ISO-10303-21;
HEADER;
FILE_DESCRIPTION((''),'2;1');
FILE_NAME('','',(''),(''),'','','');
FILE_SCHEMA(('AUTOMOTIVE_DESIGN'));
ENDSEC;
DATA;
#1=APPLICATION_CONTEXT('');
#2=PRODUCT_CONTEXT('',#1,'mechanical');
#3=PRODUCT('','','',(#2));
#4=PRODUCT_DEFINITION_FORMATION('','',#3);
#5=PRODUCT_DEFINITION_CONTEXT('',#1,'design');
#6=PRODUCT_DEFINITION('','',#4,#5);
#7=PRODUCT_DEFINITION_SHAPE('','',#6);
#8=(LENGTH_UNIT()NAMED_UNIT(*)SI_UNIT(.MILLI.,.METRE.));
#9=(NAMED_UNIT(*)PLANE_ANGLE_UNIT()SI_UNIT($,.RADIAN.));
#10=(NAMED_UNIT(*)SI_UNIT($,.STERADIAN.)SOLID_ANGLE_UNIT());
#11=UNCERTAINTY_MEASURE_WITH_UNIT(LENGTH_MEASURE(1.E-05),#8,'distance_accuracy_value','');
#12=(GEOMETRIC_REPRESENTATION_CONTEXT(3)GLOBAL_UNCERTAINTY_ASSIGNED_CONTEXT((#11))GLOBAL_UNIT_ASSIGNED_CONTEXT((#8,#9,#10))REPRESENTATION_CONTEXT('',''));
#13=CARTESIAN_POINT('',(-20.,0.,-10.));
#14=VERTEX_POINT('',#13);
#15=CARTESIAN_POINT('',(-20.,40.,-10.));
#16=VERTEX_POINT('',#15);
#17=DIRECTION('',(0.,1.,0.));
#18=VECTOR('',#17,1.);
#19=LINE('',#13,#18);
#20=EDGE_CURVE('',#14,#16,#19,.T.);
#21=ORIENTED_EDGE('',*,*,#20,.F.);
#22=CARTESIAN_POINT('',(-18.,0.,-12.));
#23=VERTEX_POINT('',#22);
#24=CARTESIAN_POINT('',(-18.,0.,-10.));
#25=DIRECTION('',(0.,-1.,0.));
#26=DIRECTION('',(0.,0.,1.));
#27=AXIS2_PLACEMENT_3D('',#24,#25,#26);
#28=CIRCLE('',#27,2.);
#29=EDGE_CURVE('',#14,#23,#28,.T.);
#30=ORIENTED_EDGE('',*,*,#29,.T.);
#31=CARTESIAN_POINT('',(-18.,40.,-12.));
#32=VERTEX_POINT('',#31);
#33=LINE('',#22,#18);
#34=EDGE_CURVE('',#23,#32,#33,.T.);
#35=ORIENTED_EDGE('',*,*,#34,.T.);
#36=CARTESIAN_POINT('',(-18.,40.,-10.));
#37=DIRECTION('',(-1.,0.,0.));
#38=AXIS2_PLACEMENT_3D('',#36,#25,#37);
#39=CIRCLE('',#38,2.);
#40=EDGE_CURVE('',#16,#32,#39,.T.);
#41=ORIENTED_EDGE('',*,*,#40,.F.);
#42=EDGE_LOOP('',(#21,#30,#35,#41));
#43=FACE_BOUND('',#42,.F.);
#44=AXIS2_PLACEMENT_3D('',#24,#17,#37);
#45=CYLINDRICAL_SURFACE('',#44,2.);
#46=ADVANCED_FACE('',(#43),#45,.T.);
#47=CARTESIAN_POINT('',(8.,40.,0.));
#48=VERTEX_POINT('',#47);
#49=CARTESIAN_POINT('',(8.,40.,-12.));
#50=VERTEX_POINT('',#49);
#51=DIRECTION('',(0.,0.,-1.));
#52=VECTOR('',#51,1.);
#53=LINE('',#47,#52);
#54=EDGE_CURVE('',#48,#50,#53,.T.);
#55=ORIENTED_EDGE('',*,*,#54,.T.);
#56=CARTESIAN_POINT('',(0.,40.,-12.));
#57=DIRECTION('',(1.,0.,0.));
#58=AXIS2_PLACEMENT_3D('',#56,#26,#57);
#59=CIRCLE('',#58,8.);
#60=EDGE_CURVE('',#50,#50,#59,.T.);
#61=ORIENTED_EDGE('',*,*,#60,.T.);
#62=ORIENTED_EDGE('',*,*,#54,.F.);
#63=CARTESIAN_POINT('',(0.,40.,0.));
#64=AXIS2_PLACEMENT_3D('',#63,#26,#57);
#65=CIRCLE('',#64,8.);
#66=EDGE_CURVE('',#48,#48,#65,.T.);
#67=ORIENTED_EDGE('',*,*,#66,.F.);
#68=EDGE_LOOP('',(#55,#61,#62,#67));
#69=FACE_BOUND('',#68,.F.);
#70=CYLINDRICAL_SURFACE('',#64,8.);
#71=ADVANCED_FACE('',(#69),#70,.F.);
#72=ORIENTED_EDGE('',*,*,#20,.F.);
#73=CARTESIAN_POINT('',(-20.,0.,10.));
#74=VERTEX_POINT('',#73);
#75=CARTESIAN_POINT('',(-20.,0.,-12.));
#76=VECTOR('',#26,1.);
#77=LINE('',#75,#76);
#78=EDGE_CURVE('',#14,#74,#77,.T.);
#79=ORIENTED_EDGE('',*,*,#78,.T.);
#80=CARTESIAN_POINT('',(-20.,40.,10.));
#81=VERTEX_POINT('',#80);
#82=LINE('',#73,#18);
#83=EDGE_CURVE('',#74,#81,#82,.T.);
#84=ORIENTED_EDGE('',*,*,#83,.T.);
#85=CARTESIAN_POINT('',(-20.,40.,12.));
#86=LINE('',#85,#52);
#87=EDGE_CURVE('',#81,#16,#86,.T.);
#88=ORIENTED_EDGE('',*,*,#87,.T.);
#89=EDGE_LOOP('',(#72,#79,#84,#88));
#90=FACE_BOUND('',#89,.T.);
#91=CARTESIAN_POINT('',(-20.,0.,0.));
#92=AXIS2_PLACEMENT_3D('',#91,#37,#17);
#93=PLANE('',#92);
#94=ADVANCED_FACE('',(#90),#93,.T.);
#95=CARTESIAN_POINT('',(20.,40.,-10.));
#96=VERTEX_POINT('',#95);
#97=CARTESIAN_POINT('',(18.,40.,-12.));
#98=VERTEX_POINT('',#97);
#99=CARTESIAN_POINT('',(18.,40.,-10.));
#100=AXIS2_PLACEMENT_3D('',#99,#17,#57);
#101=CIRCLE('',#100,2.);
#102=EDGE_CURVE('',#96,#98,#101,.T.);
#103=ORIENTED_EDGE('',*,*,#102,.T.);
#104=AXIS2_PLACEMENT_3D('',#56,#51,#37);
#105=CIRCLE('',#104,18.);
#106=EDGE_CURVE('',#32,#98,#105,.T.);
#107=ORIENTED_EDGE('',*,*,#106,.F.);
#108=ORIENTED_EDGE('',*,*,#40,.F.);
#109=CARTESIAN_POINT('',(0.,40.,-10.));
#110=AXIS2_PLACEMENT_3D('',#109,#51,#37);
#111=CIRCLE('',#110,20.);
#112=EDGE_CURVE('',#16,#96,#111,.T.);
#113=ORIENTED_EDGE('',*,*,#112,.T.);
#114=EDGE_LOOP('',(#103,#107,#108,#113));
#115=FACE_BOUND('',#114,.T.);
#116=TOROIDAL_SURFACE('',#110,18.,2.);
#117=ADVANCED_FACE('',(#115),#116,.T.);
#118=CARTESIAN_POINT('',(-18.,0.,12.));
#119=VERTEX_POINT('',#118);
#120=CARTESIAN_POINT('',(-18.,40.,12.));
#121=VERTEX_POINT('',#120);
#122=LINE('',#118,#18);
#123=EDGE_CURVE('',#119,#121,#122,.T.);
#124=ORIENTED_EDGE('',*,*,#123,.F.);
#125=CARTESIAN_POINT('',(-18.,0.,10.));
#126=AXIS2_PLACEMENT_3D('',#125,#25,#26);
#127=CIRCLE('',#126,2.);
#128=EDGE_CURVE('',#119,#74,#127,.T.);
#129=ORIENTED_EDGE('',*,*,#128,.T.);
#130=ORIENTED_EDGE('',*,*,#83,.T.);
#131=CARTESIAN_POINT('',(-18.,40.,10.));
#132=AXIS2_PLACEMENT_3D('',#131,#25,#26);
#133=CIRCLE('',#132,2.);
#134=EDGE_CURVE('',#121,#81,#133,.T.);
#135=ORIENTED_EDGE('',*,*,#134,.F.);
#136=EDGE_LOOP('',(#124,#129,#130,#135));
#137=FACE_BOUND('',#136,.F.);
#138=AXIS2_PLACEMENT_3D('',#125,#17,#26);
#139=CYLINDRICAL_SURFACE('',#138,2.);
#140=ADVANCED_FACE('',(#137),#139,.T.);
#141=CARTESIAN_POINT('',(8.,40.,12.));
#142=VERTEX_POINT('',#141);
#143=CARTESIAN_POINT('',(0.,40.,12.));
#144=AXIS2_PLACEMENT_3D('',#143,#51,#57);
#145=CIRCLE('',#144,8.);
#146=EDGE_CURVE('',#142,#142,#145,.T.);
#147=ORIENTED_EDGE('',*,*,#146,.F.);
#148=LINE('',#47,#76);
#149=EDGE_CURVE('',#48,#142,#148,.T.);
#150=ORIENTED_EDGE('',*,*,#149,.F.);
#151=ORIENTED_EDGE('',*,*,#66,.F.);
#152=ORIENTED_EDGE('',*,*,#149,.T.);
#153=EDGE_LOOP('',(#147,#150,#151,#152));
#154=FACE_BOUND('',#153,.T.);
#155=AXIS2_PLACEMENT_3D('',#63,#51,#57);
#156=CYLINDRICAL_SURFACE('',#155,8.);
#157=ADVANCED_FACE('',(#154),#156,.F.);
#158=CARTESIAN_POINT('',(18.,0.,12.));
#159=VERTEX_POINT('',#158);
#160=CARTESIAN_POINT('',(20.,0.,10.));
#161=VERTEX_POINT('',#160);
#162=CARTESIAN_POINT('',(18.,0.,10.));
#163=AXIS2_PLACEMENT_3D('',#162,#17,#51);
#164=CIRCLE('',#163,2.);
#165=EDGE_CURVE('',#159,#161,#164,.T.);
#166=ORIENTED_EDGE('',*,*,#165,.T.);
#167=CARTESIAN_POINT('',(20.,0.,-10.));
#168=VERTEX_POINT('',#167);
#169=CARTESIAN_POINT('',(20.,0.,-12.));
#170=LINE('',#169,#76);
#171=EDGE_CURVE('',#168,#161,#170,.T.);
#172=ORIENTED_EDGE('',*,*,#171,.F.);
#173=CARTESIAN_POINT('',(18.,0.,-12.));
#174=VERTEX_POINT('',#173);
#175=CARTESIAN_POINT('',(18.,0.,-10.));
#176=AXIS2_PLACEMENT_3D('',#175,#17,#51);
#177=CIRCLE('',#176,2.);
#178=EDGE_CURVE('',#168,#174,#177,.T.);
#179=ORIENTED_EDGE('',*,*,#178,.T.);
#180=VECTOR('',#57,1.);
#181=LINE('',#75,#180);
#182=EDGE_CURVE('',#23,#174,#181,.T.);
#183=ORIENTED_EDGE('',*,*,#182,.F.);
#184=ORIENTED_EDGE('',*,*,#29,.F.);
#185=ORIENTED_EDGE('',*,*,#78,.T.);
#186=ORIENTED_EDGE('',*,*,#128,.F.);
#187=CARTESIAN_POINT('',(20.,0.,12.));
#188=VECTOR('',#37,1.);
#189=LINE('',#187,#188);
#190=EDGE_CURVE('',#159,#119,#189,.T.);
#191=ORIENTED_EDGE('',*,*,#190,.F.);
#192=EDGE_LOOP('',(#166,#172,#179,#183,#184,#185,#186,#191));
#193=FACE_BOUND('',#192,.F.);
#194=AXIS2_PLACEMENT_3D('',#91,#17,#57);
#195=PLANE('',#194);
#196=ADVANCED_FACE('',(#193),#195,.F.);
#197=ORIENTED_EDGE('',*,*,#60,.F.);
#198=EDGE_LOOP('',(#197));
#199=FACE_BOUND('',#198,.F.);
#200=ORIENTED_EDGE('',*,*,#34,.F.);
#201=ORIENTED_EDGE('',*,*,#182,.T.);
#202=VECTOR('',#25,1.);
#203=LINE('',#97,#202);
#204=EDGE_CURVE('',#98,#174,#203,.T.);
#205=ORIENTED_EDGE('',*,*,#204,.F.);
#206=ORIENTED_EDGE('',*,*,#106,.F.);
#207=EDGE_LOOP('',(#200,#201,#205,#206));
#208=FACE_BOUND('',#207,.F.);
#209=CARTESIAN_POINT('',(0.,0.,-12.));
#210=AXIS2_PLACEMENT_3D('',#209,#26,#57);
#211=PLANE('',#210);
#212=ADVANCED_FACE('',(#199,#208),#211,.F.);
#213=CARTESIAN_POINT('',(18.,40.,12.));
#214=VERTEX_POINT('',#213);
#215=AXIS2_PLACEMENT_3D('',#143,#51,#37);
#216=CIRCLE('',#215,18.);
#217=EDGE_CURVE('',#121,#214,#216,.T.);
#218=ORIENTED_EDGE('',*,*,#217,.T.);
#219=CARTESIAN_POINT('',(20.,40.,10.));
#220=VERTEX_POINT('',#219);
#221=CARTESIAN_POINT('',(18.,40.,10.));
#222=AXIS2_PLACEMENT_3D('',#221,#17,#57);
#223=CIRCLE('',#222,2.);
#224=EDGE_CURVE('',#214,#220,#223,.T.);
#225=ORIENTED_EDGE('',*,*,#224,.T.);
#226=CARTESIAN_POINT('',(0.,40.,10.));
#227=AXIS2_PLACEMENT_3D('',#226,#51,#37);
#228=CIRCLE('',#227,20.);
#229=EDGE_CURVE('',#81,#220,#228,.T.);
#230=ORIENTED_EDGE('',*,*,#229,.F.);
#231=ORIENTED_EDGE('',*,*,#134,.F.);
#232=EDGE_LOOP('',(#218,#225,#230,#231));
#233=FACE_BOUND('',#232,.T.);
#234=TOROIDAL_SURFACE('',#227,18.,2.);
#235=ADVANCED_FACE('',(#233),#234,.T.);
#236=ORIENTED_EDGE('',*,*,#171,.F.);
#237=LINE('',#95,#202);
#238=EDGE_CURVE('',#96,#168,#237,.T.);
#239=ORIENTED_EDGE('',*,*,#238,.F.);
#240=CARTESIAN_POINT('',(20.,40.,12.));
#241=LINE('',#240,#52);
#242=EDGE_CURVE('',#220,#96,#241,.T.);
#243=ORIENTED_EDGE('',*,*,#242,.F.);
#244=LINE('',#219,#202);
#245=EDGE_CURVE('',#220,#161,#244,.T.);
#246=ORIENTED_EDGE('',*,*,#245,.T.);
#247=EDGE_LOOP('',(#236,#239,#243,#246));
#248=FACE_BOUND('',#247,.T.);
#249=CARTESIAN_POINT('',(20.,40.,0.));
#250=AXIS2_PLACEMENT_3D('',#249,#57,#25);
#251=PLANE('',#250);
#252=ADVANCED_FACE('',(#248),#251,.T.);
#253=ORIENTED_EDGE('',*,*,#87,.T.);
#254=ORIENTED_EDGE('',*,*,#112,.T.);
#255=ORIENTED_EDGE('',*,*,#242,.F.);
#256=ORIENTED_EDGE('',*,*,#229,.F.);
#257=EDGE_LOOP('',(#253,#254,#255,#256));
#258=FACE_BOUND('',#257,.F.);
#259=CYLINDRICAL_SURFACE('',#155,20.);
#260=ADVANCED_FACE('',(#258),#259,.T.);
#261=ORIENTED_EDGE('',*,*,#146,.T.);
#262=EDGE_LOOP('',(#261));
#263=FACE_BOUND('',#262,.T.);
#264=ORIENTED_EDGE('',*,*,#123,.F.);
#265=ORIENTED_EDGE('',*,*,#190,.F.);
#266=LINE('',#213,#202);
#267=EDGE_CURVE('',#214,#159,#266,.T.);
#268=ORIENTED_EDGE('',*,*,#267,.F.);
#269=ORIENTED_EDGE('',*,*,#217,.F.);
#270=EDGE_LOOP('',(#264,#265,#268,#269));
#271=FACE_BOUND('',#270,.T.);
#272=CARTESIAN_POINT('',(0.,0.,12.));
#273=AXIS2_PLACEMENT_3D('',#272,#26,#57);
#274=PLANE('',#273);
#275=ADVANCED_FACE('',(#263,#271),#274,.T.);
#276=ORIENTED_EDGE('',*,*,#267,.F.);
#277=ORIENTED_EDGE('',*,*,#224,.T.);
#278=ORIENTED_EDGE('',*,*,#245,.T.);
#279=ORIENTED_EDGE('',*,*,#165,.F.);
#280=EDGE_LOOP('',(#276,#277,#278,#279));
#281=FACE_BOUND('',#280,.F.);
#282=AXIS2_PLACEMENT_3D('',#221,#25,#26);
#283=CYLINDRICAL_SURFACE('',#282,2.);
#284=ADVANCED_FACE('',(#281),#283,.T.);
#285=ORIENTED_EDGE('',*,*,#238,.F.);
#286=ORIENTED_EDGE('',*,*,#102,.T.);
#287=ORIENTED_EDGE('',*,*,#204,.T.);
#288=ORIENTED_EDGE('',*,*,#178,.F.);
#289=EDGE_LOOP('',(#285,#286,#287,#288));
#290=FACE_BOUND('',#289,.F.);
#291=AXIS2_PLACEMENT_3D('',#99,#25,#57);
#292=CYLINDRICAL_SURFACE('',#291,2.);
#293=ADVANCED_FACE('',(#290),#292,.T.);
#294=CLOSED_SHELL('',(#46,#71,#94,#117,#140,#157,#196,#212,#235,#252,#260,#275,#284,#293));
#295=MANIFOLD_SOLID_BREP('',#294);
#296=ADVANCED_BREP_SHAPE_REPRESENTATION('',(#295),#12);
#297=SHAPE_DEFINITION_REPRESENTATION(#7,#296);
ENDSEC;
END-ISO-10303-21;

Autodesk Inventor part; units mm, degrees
ref_plane "YZ Plane" through (0, 0, 0) normal (1, 0, 0) x (0, 1, 0)
ref_plane "XZ Plane" through (0, 0, 0) normal (0, 1, 0) x (-1, 0, 0)
ref_plane "XY Plane" through (0, 0, 0) normal (0, 0, 1) x (1, 0, 0)
sketch "Sketch1" plane through (0, 0, 0) normal (0, 0, 1) x (1, 0, 0)
  line L0 (-28, 0) -> (28, 0) projected
  line L1 (0, -12) -> (0, 72) projected
  line L2 (-20, 60) -> (20, 60)
  line L3 (20, 60) -> (20, 0)
  line L4 (20, 0) -> (-20, 0)
  line L5 (-20, 0) -> (-20, 60)
  arc A0 (20, 40) -> (-20, 40) centre (0, 40) ccw
  line L6 (-20, 40) -> (20, 40) construction
  circle A1 centre (0, 40) radius 8
  point P0 (0, 0)
  point P1 (0, 60)
  point P2 (0, 0)
  dimension "d0" = 40
  dimension "d1" = 60
  dimension "d2" = 8
extrude "Extrusion1" add sketch "Sketch1" along normal mid plane 24 contours L5 A0 L1 A1 L0 | L1 A1 A0 L3 L0
fillet "Fillet1" radius 2 8 edges at (20, 20, 12) (-14.1421, 54.1421, 12) (14.1421, 54.1421, 12) (-20, 20, 12) (20, 20, -12) (-14.1421, 54.1421, -12) (14.1421, 54.1421, -12) (-20, 20, -12)
properties part number "Lagar"
